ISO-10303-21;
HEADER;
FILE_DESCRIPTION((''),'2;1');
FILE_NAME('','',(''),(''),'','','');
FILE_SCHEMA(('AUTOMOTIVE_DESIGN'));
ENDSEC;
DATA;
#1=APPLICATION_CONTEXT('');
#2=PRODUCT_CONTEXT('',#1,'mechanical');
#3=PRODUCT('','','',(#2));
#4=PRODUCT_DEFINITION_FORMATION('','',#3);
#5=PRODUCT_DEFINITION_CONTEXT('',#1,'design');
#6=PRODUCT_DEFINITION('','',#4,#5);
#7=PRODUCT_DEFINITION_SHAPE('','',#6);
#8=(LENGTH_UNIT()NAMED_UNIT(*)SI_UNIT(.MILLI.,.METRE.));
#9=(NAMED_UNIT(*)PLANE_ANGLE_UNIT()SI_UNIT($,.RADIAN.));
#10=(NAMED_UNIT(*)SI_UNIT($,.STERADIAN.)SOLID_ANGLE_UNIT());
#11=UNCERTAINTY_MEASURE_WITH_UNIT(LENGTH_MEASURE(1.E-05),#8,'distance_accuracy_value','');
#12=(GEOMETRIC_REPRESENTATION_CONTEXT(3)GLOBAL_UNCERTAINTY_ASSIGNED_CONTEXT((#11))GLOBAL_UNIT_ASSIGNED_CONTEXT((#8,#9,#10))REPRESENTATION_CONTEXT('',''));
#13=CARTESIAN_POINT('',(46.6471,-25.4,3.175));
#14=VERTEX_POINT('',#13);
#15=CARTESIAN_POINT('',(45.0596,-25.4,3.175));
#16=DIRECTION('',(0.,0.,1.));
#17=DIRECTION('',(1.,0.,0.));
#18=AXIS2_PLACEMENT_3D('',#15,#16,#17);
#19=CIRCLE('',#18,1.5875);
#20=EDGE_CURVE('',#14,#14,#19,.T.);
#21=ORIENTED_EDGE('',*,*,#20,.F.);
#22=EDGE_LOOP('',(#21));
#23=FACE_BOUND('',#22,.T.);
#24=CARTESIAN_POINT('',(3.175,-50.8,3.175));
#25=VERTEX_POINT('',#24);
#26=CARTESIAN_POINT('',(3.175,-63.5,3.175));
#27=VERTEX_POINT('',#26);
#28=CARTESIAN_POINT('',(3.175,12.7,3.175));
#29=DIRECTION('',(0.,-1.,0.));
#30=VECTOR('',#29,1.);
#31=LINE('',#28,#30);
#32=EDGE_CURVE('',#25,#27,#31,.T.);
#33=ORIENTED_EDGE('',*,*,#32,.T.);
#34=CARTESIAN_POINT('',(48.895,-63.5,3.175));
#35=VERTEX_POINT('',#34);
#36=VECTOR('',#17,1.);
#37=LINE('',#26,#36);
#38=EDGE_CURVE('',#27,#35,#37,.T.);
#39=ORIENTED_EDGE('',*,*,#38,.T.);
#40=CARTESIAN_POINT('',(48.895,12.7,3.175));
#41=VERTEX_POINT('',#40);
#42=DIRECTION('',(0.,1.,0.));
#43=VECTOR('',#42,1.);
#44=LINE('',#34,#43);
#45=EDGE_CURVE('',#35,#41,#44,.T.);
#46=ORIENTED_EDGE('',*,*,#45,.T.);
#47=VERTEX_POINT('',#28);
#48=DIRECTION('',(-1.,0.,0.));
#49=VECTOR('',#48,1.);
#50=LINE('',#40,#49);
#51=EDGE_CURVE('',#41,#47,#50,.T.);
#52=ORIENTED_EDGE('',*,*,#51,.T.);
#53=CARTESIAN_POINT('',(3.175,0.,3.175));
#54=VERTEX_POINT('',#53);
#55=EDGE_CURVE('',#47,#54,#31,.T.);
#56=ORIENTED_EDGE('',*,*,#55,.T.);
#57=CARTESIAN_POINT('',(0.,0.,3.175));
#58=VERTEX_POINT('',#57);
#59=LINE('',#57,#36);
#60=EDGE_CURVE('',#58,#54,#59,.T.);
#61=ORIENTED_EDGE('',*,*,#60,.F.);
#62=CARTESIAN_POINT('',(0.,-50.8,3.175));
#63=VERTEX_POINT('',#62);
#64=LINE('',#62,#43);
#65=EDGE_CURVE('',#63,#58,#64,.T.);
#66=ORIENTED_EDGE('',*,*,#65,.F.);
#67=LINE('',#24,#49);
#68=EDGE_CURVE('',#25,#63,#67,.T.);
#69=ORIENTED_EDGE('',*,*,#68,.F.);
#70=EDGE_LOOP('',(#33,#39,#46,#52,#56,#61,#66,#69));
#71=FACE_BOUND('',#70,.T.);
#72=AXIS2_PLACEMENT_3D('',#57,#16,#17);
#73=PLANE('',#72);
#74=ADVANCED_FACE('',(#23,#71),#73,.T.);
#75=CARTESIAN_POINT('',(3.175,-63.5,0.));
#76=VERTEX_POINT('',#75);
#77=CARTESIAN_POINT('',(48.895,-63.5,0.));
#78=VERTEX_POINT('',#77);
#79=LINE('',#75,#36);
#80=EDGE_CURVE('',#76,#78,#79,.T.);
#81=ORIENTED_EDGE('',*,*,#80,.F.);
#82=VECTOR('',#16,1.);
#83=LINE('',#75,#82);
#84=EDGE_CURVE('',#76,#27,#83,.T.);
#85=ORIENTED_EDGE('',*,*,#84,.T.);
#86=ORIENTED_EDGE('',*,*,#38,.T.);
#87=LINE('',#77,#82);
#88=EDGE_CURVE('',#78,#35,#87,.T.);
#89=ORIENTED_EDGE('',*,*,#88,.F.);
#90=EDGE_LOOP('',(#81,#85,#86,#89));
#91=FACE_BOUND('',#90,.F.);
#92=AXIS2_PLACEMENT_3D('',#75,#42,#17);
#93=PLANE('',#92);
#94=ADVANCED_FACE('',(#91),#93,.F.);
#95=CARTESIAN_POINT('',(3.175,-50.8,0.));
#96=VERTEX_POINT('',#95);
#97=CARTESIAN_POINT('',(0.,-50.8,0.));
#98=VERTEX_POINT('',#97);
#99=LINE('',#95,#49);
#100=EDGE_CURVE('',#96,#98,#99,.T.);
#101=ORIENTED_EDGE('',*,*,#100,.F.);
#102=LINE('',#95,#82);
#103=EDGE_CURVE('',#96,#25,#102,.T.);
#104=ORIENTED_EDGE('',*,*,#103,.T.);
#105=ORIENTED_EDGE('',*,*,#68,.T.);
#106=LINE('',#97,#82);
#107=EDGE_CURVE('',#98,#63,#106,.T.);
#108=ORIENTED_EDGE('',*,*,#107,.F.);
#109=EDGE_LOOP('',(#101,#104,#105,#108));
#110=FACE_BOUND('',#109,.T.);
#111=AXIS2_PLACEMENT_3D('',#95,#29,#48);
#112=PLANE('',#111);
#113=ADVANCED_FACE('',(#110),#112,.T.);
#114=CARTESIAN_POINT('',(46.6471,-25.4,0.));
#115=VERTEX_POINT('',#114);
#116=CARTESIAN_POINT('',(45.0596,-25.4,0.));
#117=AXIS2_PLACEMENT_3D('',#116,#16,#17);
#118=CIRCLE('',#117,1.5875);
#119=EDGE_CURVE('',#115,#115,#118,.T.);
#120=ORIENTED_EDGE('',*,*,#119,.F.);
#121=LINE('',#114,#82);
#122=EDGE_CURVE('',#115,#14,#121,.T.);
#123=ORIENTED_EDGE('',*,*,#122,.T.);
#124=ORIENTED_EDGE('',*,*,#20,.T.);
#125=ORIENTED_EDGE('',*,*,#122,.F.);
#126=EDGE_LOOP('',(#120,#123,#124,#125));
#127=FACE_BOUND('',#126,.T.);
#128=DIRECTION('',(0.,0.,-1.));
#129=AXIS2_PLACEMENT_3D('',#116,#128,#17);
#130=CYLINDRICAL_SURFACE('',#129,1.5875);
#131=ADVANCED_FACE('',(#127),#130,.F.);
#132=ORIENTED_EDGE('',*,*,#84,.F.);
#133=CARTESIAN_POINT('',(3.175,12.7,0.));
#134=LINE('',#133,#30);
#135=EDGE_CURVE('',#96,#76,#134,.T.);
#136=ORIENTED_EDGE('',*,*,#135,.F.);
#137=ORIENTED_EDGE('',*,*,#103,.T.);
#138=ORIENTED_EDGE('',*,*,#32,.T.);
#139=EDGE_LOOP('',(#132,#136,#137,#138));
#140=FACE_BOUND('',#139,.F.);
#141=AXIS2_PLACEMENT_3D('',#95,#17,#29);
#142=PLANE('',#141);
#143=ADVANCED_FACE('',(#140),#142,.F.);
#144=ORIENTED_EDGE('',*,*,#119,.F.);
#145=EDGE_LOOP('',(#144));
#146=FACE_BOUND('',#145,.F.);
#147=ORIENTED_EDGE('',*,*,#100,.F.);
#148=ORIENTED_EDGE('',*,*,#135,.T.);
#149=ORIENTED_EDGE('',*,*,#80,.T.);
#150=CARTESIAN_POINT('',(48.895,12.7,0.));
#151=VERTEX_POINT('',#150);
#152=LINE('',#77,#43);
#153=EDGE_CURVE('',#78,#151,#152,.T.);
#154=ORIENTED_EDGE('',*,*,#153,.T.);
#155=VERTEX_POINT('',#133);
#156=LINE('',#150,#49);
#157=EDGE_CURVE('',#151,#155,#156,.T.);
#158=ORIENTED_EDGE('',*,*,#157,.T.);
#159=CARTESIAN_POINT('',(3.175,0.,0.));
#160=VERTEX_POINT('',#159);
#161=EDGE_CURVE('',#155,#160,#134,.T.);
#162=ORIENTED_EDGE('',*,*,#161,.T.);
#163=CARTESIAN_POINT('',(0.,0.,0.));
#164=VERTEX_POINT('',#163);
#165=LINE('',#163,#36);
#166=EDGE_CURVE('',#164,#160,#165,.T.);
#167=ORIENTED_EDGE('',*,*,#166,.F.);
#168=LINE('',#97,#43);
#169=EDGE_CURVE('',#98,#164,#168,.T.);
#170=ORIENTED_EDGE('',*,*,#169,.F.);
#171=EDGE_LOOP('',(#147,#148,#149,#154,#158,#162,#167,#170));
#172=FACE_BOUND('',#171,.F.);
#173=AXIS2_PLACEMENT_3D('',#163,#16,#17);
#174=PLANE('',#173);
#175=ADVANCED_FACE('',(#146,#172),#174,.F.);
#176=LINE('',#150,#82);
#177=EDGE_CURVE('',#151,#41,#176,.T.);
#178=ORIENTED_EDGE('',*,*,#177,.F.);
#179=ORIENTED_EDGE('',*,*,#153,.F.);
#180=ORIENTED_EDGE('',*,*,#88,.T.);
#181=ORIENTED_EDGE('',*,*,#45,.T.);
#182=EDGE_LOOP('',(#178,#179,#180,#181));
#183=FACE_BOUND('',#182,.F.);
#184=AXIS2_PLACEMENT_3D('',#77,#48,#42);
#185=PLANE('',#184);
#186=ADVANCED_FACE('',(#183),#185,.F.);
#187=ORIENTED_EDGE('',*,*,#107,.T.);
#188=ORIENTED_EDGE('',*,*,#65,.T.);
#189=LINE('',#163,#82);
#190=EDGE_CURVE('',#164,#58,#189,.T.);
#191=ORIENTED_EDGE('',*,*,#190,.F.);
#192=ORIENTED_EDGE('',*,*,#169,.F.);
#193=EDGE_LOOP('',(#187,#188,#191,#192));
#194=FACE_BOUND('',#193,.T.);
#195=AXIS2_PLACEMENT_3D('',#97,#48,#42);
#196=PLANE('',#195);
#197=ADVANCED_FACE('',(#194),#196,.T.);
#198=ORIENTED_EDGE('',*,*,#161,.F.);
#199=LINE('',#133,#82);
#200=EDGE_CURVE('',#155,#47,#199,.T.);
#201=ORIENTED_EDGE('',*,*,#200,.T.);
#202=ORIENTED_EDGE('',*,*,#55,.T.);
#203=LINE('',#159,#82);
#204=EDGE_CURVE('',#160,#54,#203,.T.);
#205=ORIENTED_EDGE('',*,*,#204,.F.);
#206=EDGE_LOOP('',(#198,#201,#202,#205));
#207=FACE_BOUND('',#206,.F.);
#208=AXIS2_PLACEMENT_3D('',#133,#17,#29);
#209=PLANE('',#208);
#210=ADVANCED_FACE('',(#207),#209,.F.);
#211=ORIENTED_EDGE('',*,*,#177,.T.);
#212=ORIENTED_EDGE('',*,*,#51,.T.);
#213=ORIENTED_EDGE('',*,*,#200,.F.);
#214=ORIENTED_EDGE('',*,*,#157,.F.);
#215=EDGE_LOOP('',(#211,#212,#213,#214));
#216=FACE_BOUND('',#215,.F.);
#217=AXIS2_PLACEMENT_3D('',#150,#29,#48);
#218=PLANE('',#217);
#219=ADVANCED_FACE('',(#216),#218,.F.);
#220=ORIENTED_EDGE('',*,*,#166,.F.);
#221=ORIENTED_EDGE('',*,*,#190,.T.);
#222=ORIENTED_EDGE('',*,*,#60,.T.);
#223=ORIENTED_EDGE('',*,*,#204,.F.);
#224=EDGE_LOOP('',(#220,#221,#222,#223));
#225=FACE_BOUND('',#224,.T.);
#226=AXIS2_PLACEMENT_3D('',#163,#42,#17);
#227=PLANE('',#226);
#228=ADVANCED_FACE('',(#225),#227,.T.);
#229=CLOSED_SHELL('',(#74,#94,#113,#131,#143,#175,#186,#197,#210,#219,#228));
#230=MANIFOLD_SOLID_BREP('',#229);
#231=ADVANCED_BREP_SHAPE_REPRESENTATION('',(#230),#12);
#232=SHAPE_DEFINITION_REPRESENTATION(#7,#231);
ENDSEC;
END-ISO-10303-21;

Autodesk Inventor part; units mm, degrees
ref_plane "YZ Plane" through (0, 0, 0) normal (1, 0, 0) x (0, 1, 0)
ref_plane "XZ Plane" through (0, 0, 0) normal (0, 1, 0) x (-1, 0, 0)
ref_plane "XY Plane" through (0, 0, 0) normal (0, 0, 1) x (1, 0, 0)
sketch "Sketch1" plane through (0, 0, 0) normal (0, 0, 1) x (1, 0, 0)
  line L0 (0, 0) -> (3.175, 0)
  line L1 (3.175, 0) -> (3.175, -50.8)
  line L2 (3.175, -50.8) -> (0, -50.8)
  line L3 (0, -50.8) -> (0, 0)
  line L4 (48.895, 12.7) -> (3.175, 12.7)
  line L5 (3.175, 12.7) -> (3.175, -63.5)
  line L6 (3.175, -63.5) -> (48.895, -63.5)
  line L7 (48.895, -63.5) -> (48.895, 12.7)
  circle A0 centre (45.0596, -25.4) radius 1.5875
  point P0 (3.175, 0)
  point P1 (3.175, -50.8)
  dimension "d0" = 3.175
  dimension "d1" = 50.8
  dimension "d2" = 76.2
  dimension "d3" = 12.7
  dimension "d4" = 45.72
  dimension "d5" = 3.175
  dimension "d6" = 38.1
  dimension "d7" = 41.8846
  dimension "d10" = 0
extrude "Extrusion1" add sketch "Sketch1" along normal blind 3.175
properties part number "pin holder"
